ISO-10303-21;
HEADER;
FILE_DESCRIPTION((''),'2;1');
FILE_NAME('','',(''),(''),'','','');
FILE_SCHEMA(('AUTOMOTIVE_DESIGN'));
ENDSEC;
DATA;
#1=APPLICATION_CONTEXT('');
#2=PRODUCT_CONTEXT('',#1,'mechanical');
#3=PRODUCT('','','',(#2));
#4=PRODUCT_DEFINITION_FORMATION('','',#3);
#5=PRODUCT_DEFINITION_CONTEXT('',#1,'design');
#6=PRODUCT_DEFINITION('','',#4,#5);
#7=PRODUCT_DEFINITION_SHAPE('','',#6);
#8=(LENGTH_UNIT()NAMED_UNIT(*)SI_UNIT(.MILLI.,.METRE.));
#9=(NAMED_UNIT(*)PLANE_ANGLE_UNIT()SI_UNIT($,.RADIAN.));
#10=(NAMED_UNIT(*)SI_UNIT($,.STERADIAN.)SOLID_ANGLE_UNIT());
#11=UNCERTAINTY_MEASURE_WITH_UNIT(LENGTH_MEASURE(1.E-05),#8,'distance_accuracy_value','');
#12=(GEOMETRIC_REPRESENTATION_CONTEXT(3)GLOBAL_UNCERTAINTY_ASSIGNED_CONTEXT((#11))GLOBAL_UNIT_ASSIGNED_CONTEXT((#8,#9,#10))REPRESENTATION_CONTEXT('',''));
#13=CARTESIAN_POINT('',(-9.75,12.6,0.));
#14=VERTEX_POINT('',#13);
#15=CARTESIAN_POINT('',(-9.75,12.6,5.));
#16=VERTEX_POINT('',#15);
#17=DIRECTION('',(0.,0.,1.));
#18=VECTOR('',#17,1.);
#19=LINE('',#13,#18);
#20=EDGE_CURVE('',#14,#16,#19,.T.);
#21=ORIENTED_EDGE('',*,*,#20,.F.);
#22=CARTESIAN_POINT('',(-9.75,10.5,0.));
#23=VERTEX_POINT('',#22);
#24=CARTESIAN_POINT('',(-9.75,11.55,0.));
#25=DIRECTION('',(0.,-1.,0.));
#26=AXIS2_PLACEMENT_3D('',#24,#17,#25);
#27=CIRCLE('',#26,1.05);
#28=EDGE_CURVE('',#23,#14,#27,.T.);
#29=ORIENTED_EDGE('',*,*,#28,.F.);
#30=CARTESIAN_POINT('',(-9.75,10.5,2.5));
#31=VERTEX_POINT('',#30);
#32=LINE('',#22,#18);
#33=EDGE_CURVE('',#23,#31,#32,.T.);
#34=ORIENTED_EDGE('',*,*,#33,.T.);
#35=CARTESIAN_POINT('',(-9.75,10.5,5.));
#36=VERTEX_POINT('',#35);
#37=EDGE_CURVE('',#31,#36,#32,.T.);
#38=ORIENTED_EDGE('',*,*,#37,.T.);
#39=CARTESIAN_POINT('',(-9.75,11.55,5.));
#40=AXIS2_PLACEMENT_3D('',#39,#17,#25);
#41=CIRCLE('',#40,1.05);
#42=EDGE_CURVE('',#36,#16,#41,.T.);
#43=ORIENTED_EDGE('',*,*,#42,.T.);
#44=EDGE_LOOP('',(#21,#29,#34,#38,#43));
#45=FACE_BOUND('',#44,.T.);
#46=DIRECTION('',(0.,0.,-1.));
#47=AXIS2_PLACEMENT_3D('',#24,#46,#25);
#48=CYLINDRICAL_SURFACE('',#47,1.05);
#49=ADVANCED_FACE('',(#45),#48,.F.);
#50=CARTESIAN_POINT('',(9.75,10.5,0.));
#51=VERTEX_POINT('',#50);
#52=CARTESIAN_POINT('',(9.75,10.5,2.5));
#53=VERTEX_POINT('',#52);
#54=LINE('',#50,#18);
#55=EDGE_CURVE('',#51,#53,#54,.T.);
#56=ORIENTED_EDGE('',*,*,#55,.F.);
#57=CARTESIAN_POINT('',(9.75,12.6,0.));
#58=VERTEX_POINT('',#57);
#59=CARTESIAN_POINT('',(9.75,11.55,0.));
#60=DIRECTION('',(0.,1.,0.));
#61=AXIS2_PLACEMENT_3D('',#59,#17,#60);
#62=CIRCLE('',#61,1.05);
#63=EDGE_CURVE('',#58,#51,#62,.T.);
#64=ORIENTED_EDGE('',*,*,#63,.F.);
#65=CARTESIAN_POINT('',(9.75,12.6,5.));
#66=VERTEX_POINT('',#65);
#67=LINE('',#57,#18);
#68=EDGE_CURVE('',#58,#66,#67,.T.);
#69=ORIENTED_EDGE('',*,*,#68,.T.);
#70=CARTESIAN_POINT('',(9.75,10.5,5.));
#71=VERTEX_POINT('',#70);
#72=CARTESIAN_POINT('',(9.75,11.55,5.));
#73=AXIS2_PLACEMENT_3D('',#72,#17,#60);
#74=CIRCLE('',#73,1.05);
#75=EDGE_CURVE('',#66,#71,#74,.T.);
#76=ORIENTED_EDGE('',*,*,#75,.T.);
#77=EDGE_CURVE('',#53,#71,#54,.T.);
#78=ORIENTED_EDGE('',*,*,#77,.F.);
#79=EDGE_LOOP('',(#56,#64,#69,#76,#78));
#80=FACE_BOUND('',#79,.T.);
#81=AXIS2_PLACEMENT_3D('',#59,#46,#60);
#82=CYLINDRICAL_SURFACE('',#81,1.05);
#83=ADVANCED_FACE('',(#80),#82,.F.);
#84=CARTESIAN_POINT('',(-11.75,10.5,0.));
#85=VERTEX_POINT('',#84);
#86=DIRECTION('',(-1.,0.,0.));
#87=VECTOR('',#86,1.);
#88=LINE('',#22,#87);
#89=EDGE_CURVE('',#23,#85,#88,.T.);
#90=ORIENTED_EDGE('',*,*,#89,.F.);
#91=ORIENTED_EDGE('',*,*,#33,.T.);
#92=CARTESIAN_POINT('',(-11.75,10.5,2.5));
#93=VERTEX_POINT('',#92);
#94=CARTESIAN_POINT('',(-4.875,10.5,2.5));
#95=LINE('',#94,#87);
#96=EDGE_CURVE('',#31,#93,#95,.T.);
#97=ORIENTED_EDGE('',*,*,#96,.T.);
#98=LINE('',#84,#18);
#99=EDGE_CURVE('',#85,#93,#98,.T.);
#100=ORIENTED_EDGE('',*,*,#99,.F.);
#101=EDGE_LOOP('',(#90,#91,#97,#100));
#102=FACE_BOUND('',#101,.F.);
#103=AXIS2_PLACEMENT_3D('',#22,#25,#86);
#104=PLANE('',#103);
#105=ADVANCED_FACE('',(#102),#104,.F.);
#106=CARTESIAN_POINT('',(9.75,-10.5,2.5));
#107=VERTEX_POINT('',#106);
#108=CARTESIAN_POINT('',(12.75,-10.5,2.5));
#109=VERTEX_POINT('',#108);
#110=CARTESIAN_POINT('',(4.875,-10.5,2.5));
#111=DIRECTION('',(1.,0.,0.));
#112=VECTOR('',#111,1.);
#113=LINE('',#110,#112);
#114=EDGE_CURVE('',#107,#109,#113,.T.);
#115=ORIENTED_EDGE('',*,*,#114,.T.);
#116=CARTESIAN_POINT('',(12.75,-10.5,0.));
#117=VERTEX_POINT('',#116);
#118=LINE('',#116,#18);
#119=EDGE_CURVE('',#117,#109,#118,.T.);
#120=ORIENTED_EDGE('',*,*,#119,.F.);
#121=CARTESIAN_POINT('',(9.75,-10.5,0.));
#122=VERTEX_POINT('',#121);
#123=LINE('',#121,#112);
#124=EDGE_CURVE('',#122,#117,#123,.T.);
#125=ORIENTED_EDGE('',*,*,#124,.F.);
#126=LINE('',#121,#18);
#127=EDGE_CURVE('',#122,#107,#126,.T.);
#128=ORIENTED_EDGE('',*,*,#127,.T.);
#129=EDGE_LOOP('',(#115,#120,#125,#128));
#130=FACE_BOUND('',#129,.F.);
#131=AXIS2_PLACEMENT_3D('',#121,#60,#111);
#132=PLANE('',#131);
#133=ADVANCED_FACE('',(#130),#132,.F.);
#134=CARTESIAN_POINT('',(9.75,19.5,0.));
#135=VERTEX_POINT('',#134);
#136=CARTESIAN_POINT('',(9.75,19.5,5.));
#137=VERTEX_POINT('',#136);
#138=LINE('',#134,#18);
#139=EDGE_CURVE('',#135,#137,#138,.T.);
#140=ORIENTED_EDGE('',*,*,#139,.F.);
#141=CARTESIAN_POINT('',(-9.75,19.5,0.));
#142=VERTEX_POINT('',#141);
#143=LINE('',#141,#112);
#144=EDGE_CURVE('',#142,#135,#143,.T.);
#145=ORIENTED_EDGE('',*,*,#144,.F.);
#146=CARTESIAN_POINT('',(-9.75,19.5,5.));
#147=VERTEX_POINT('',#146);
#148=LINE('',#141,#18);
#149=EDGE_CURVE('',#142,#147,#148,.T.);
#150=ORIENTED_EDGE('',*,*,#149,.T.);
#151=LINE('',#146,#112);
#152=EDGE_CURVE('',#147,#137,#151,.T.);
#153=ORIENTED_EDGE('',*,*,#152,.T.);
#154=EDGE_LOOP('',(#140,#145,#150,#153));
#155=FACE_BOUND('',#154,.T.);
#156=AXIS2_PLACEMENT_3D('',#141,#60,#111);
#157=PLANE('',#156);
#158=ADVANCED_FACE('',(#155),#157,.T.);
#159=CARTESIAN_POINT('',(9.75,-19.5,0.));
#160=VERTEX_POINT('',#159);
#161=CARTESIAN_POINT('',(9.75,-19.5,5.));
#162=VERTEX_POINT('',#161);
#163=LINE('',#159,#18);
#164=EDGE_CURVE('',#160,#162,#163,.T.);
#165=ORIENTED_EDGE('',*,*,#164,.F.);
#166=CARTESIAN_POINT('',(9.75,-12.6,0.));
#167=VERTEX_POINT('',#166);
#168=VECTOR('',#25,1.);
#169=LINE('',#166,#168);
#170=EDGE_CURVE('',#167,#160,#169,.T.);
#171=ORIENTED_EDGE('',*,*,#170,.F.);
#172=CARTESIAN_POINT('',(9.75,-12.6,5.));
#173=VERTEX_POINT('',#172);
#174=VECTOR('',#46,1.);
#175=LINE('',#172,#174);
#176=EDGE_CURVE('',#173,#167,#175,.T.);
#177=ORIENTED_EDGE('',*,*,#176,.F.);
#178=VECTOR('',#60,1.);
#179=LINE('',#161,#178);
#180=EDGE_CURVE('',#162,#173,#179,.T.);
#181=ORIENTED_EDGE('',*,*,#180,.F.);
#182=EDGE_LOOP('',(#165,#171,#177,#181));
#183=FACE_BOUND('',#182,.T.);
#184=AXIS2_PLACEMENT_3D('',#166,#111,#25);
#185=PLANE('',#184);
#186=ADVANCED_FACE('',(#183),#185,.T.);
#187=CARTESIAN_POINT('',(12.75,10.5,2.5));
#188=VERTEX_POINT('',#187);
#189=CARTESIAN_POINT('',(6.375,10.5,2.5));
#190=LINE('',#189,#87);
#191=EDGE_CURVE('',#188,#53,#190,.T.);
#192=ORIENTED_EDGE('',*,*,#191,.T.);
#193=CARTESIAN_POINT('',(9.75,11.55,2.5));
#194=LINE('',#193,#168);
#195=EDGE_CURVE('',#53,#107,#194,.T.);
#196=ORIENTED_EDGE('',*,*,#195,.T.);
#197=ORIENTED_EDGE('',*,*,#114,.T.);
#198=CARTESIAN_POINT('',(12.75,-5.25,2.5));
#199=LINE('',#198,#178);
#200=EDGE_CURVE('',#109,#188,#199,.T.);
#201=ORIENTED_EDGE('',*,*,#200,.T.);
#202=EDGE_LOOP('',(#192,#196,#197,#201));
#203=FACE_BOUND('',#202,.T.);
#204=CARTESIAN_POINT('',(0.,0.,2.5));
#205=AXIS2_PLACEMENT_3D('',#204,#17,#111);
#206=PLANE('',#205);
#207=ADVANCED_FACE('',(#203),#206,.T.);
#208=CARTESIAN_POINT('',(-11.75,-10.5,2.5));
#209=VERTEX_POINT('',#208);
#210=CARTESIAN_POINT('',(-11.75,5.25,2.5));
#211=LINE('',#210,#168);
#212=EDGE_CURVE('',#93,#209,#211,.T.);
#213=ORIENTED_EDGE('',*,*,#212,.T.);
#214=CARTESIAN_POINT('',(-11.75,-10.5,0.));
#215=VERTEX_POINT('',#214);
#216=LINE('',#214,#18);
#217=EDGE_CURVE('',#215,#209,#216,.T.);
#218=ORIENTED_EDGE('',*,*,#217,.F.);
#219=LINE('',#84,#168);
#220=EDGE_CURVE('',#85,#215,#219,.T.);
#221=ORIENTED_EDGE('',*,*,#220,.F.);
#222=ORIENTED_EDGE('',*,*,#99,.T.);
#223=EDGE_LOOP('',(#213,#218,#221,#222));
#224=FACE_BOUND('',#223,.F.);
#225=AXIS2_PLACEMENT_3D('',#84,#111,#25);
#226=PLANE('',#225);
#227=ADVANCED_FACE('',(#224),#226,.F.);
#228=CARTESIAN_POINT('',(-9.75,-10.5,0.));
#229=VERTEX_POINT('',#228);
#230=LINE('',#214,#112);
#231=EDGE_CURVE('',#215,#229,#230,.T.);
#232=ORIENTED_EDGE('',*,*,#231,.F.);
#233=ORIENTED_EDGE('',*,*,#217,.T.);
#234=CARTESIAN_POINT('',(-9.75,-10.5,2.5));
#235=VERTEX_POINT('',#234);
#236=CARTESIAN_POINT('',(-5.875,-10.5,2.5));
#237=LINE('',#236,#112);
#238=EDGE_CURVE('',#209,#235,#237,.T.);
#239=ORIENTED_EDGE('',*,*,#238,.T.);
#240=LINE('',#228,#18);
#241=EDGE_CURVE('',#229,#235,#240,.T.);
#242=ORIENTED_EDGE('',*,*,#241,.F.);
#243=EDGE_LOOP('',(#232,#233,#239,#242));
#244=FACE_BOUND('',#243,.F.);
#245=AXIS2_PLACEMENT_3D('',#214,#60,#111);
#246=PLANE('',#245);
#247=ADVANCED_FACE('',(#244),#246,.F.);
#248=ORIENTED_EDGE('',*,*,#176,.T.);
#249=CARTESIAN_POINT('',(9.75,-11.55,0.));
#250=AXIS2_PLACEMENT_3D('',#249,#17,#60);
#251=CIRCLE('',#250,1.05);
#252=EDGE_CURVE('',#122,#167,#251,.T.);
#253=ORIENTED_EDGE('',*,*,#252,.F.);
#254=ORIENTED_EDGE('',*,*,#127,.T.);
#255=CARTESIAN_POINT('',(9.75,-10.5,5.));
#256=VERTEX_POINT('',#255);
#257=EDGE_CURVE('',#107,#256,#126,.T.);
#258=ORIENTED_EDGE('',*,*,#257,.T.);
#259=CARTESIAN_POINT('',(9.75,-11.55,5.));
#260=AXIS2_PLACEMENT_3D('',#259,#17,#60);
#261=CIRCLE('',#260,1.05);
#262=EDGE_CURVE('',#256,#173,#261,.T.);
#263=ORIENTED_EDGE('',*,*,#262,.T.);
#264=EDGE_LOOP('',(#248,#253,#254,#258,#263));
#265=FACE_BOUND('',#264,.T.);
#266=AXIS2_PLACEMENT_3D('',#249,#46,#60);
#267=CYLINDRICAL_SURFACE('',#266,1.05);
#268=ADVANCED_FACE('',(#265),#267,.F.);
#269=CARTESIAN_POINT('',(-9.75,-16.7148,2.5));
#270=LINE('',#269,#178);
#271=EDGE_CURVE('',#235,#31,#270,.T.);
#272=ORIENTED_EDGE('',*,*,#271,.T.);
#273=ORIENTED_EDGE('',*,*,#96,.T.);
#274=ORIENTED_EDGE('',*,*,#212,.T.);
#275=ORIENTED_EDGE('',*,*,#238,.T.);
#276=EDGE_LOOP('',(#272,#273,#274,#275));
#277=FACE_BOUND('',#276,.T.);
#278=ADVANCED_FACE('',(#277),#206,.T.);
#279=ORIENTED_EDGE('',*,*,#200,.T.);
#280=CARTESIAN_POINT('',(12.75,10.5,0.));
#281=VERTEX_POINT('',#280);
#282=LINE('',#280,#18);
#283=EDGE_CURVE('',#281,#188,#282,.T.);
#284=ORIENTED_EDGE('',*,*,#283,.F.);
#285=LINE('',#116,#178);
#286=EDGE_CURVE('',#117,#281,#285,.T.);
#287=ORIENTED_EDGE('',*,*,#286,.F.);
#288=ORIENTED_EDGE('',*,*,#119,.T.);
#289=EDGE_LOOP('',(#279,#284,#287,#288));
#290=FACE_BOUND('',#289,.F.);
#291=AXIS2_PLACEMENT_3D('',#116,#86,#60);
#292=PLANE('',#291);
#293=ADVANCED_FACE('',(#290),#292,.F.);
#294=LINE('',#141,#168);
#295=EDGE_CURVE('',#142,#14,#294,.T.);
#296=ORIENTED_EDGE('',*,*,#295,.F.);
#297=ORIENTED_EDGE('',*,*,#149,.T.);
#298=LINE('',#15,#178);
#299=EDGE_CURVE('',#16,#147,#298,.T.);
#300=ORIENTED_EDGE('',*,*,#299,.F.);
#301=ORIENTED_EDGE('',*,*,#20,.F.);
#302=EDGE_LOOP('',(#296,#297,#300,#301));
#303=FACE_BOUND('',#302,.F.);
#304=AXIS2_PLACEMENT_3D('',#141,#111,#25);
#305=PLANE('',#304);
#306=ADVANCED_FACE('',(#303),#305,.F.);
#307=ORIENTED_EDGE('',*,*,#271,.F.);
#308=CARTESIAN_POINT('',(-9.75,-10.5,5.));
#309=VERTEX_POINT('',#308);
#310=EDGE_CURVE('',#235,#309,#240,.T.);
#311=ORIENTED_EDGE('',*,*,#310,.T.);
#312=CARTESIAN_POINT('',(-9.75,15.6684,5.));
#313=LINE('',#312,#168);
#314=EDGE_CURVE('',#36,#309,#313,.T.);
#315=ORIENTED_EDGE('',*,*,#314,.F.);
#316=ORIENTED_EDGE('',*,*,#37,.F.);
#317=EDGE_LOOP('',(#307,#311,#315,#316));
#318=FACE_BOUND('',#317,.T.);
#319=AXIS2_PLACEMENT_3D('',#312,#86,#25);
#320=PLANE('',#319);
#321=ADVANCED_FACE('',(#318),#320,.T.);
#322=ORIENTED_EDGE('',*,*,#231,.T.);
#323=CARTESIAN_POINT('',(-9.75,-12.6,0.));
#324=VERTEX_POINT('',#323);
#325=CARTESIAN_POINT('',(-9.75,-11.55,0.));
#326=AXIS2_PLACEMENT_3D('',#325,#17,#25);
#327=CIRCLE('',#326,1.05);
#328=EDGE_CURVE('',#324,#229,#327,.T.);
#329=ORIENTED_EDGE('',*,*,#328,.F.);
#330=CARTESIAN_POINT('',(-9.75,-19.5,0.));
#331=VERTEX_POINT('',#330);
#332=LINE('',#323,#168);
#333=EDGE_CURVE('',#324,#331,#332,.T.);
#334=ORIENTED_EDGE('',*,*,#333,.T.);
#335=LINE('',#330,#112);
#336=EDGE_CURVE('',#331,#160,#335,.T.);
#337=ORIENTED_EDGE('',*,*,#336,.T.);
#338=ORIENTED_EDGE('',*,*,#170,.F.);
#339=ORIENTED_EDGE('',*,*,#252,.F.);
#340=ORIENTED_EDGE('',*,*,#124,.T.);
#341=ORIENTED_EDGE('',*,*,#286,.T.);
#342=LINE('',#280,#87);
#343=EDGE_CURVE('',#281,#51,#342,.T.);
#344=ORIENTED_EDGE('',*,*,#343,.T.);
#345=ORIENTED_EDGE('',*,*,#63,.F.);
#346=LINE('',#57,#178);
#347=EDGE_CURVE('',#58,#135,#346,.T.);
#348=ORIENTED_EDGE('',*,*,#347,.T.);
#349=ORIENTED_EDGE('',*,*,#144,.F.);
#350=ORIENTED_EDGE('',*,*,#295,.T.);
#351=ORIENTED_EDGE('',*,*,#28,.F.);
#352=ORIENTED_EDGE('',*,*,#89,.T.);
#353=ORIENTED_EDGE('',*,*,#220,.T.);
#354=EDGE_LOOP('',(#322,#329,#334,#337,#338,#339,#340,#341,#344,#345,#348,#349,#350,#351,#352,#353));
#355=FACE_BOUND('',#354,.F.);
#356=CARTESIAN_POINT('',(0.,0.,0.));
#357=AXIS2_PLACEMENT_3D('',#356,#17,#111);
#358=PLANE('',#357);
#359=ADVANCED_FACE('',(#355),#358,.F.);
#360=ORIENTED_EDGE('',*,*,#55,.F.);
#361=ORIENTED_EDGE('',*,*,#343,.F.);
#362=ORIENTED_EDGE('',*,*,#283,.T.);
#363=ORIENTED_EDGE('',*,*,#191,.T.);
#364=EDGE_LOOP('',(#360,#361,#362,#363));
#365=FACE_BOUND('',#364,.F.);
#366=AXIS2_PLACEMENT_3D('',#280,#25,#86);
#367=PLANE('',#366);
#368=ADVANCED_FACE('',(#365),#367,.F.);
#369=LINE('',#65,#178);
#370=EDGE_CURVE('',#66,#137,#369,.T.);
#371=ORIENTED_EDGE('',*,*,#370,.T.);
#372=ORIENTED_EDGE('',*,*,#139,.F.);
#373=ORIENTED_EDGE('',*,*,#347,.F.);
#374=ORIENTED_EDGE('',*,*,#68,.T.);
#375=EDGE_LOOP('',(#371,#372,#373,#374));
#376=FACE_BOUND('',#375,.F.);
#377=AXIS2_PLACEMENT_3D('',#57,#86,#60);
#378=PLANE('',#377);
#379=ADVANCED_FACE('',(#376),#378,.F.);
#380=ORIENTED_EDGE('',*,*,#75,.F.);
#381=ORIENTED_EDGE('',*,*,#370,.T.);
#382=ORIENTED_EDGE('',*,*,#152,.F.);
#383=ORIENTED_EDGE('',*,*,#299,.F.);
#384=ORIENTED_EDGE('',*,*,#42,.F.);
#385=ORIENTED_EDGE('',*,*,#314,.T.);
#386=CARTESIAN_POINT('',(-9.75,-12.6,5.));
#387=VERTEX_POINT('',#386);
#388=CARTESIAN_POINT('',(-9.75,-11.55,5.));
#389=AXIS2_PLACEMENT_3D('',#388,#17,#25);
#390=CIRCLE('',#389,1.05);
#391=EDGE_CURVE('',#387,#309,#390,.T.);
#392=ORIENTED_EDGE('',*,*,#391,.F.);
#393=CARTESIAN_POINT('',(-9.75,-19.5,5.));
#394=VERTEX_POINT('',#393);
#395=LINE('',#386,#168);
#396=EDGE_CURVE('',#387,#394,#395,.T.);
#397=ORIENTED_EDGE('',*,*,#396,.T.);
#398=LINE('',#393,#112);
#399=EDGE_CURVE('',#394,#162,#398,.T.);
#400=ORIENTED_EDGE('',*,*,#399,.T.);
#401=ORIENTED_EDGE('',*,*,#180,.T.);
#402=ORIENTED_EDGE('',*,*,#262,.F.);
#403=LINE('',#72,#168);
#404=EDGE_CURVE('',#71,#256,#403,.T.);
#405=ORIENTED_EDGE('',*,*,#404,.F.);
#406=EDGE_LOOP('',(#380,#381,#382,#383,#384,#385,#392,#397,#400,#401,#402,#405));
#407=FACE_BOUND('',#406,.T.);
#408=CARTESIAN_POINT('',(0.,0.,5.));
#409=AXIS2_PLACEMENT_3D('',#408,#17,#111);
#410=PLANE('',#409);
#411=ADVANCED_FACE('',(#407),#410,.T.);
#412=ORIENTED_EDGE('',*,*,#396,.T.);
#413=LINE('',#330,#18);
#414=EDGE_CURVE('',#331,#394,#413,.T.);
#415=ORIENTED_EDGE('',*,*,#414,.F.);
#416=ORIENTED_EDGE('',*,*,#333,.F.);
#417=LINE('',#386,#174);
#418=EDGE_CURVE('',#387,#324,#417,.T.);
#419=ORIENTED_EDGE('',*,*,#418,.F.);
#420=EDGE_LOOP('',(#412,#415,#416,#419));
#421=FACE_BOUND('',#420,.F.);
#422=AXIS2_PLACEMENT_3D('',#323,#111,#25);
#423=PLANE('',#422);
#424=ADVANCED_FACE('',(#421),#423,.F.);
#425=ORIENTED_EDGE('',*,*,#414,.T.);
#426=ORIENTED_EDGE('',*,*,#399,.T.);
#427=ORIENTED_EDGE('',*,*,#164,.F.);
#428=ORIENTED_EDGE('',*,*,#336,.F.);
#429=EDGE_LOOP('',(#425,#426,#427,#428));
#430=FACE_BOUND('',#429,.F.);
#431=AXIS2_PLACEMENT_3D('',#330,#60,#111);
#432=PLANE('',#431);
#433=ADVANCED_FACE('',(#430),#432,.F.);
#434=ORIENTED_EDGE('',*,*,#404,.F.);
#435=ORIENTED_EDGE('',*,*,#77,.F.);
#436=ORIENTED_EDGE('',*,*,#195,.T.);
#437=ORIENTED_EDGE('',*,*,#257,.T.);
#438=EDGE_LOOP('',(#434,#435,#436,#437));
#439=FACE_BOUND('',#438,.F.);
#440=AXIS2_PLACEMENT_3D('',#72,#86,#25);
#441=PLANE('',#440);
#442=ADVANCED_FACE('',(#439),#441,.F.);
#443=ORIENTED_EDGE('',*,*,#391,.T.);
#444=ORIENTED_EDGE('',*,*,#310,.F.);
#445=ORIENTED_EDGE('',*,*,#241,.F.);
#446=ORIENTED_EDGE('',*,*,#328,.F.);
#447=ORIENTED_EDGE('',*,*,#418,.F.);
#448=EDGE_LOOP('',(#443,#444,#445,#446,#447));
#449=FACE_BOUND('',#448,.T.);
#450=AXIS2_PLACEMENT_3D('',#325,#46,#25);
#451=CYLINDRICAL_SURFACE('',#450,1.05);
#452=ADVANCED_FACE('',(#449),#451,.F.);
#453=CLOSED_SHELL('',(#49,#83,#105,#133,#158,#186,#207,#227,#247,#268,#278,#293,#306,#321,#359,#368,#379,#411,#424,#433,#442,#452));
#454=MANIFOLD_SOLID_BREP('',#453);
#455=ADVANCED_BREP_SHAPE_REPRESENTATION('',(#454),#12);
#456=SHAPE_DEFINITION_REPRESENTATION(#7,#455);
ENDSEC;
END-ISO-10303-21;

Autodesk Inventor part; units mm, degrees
ref_plane "YZ Plane" through (0, 0, 0) normal (1, 0, 0) x (0, 1, 0)
ref_plane "XZ Plane" through (0, 0, 0) normal (0, 1, 0) x (-1, 0, 0)
ref_plane "XY Plane" through (0, 0, 0) normal (0, 0, 1) x (1, 0, 0)
sketch "スケッチ1" plane through (0, 0, 0) normal (0, 0, 1) x (1, 0, 0)
  line L0 (-9.75, -19.5) -> (9.75, -19.5) construction
  line L1 (9.75, -19.5) -> (9.75, 19.5) construction
  line L2 (9.75, 19.5) -> (-9.75, 19.5) construction
  line L3 (-9.75, 19.5) -> (-9.75, -19.5) construction
  line L4 (-9.75, -19.5) -> (9.75, 19.5) construction
  line L5 (9.75, -19.5) -> (-9.75, 19.5) construction
  line L6 (-9.75, 10.5) -> (-9.75, 19.5) construction
  line L7 (-9.75, 19.5) -> (9.75, 19.5)
  line L8 (9.75, 19.5) -> (9.75, 10.5) construction
  line L9 (-9.75, 10.5) -> (-11.75, 10.5)
  line L10 (-11.75, 10.5) -> (-11.75, -10.5)
  line L11 (-11.75, -10.5) -> (-9.75, -10.5)
  line L12 (-9.75, -10.5) -> (-9.75, -19.5) construction
  line L13 (-9.75, -19.5) -> (9.75, -19.5)
  line L14 (9.75, -19.5) -> (9.75, -10.5) construction
  line L15 (9.75, -10.5) -> (12.75, -10.5)
  line L16 (12.75, -10.5) -> (12.75, 10.5)
  line L17 (12.75, 10.5) -> (9.75, 10.5)
  line L18 (0, 0) -> (12.75, 0) construction
  circle A0 centre (-9.75, 11.55) radius 1.05 construction
  circle A1 centre (-9.75, -11.55) radius 1.05 construction
  circle A2 centre (9.75, 11.55) radius 1.05 construction
  circle A3 centre (9.75, -11.55) radius 1.05 construction
  line L19 (-9.75, 19.5) -> (-9.75, 12.6)
  arc A4 (-9.75, 10.5) -> (-9.75, 12.6) centre (-9.75, 11.55) ccw
  arc A5 (-9.75, -12.6) -> (-9.75, -10.5) centre (-9.75, -11.55) ccw
  line L20 (-9.75, -12.6) -> (-9.75, -19.5)
  line L21 (9.75, 12.6) -> (9.75, 19.5)
  arc A6 (9.75, 12.6) -> (9.75, 10.5) centre (9.75, 11.55) ccw
  line L22 (9.75, -12.6) -> (9.75, -19.5)
  arc A7 (9.75, -10.5) -> (9.75, -12.6) centre (9.75, -11.55) ccw
  dimension "d21" = 2
  dimension "d23" = 3
  dimension "d30" = 19.5
  dimension "d48" = 9
  dimension "d49" = 39
  dimension "d50" = 2.1
extrude "押し出し1" add sketch "スケッチ1" along normal blind 5
sketch "スケッチ3" plane through (0, 0, 5) normal (0, 0, 1) x (1, 0, 0)
  line L0 (9.75, 12.6) -> (9.75, 19.5) projected
  line L1 (-9.75, 19.5) -> (-9.75, 12.6) projected
  line L2 (-14.3307, 15.6684) -> (-9.75, 15.6684)
  line L3 (-9.75, 15.6684) -> (-9.75, -16.7148)
  line L4 (-9.75, -16.7148) -> (-14.3307, -16.7148)
  line L5 (-14.3307, -16.7148) -> (-14.3307, 15.6684)
  line L6 (15.2214, 11.55) -> (9.75, 11.55)
  line L7 (9.75, 11.55) -> (9.75, -15.9078)
  line L8 (9.75, -15.9078) -> (15.2214, -15.9078)
  line L9 (15.2214, -15.9078) -> (15.2214, 11.55)
  point P0 (0, 0)
extrude "押し出し2" cut sketch "スケッチ3" against normal blind 2.5
equation "\"d48\" = d26 + d35"
equation "\"d49\" = d38"
equation "\"d26\" = 5"
equation "\"d35\" = 4"
equation "\"d38\" = 39"
properties part number "胴体_メインフレーム_1_12" material "アセタール樹脂、黒"
